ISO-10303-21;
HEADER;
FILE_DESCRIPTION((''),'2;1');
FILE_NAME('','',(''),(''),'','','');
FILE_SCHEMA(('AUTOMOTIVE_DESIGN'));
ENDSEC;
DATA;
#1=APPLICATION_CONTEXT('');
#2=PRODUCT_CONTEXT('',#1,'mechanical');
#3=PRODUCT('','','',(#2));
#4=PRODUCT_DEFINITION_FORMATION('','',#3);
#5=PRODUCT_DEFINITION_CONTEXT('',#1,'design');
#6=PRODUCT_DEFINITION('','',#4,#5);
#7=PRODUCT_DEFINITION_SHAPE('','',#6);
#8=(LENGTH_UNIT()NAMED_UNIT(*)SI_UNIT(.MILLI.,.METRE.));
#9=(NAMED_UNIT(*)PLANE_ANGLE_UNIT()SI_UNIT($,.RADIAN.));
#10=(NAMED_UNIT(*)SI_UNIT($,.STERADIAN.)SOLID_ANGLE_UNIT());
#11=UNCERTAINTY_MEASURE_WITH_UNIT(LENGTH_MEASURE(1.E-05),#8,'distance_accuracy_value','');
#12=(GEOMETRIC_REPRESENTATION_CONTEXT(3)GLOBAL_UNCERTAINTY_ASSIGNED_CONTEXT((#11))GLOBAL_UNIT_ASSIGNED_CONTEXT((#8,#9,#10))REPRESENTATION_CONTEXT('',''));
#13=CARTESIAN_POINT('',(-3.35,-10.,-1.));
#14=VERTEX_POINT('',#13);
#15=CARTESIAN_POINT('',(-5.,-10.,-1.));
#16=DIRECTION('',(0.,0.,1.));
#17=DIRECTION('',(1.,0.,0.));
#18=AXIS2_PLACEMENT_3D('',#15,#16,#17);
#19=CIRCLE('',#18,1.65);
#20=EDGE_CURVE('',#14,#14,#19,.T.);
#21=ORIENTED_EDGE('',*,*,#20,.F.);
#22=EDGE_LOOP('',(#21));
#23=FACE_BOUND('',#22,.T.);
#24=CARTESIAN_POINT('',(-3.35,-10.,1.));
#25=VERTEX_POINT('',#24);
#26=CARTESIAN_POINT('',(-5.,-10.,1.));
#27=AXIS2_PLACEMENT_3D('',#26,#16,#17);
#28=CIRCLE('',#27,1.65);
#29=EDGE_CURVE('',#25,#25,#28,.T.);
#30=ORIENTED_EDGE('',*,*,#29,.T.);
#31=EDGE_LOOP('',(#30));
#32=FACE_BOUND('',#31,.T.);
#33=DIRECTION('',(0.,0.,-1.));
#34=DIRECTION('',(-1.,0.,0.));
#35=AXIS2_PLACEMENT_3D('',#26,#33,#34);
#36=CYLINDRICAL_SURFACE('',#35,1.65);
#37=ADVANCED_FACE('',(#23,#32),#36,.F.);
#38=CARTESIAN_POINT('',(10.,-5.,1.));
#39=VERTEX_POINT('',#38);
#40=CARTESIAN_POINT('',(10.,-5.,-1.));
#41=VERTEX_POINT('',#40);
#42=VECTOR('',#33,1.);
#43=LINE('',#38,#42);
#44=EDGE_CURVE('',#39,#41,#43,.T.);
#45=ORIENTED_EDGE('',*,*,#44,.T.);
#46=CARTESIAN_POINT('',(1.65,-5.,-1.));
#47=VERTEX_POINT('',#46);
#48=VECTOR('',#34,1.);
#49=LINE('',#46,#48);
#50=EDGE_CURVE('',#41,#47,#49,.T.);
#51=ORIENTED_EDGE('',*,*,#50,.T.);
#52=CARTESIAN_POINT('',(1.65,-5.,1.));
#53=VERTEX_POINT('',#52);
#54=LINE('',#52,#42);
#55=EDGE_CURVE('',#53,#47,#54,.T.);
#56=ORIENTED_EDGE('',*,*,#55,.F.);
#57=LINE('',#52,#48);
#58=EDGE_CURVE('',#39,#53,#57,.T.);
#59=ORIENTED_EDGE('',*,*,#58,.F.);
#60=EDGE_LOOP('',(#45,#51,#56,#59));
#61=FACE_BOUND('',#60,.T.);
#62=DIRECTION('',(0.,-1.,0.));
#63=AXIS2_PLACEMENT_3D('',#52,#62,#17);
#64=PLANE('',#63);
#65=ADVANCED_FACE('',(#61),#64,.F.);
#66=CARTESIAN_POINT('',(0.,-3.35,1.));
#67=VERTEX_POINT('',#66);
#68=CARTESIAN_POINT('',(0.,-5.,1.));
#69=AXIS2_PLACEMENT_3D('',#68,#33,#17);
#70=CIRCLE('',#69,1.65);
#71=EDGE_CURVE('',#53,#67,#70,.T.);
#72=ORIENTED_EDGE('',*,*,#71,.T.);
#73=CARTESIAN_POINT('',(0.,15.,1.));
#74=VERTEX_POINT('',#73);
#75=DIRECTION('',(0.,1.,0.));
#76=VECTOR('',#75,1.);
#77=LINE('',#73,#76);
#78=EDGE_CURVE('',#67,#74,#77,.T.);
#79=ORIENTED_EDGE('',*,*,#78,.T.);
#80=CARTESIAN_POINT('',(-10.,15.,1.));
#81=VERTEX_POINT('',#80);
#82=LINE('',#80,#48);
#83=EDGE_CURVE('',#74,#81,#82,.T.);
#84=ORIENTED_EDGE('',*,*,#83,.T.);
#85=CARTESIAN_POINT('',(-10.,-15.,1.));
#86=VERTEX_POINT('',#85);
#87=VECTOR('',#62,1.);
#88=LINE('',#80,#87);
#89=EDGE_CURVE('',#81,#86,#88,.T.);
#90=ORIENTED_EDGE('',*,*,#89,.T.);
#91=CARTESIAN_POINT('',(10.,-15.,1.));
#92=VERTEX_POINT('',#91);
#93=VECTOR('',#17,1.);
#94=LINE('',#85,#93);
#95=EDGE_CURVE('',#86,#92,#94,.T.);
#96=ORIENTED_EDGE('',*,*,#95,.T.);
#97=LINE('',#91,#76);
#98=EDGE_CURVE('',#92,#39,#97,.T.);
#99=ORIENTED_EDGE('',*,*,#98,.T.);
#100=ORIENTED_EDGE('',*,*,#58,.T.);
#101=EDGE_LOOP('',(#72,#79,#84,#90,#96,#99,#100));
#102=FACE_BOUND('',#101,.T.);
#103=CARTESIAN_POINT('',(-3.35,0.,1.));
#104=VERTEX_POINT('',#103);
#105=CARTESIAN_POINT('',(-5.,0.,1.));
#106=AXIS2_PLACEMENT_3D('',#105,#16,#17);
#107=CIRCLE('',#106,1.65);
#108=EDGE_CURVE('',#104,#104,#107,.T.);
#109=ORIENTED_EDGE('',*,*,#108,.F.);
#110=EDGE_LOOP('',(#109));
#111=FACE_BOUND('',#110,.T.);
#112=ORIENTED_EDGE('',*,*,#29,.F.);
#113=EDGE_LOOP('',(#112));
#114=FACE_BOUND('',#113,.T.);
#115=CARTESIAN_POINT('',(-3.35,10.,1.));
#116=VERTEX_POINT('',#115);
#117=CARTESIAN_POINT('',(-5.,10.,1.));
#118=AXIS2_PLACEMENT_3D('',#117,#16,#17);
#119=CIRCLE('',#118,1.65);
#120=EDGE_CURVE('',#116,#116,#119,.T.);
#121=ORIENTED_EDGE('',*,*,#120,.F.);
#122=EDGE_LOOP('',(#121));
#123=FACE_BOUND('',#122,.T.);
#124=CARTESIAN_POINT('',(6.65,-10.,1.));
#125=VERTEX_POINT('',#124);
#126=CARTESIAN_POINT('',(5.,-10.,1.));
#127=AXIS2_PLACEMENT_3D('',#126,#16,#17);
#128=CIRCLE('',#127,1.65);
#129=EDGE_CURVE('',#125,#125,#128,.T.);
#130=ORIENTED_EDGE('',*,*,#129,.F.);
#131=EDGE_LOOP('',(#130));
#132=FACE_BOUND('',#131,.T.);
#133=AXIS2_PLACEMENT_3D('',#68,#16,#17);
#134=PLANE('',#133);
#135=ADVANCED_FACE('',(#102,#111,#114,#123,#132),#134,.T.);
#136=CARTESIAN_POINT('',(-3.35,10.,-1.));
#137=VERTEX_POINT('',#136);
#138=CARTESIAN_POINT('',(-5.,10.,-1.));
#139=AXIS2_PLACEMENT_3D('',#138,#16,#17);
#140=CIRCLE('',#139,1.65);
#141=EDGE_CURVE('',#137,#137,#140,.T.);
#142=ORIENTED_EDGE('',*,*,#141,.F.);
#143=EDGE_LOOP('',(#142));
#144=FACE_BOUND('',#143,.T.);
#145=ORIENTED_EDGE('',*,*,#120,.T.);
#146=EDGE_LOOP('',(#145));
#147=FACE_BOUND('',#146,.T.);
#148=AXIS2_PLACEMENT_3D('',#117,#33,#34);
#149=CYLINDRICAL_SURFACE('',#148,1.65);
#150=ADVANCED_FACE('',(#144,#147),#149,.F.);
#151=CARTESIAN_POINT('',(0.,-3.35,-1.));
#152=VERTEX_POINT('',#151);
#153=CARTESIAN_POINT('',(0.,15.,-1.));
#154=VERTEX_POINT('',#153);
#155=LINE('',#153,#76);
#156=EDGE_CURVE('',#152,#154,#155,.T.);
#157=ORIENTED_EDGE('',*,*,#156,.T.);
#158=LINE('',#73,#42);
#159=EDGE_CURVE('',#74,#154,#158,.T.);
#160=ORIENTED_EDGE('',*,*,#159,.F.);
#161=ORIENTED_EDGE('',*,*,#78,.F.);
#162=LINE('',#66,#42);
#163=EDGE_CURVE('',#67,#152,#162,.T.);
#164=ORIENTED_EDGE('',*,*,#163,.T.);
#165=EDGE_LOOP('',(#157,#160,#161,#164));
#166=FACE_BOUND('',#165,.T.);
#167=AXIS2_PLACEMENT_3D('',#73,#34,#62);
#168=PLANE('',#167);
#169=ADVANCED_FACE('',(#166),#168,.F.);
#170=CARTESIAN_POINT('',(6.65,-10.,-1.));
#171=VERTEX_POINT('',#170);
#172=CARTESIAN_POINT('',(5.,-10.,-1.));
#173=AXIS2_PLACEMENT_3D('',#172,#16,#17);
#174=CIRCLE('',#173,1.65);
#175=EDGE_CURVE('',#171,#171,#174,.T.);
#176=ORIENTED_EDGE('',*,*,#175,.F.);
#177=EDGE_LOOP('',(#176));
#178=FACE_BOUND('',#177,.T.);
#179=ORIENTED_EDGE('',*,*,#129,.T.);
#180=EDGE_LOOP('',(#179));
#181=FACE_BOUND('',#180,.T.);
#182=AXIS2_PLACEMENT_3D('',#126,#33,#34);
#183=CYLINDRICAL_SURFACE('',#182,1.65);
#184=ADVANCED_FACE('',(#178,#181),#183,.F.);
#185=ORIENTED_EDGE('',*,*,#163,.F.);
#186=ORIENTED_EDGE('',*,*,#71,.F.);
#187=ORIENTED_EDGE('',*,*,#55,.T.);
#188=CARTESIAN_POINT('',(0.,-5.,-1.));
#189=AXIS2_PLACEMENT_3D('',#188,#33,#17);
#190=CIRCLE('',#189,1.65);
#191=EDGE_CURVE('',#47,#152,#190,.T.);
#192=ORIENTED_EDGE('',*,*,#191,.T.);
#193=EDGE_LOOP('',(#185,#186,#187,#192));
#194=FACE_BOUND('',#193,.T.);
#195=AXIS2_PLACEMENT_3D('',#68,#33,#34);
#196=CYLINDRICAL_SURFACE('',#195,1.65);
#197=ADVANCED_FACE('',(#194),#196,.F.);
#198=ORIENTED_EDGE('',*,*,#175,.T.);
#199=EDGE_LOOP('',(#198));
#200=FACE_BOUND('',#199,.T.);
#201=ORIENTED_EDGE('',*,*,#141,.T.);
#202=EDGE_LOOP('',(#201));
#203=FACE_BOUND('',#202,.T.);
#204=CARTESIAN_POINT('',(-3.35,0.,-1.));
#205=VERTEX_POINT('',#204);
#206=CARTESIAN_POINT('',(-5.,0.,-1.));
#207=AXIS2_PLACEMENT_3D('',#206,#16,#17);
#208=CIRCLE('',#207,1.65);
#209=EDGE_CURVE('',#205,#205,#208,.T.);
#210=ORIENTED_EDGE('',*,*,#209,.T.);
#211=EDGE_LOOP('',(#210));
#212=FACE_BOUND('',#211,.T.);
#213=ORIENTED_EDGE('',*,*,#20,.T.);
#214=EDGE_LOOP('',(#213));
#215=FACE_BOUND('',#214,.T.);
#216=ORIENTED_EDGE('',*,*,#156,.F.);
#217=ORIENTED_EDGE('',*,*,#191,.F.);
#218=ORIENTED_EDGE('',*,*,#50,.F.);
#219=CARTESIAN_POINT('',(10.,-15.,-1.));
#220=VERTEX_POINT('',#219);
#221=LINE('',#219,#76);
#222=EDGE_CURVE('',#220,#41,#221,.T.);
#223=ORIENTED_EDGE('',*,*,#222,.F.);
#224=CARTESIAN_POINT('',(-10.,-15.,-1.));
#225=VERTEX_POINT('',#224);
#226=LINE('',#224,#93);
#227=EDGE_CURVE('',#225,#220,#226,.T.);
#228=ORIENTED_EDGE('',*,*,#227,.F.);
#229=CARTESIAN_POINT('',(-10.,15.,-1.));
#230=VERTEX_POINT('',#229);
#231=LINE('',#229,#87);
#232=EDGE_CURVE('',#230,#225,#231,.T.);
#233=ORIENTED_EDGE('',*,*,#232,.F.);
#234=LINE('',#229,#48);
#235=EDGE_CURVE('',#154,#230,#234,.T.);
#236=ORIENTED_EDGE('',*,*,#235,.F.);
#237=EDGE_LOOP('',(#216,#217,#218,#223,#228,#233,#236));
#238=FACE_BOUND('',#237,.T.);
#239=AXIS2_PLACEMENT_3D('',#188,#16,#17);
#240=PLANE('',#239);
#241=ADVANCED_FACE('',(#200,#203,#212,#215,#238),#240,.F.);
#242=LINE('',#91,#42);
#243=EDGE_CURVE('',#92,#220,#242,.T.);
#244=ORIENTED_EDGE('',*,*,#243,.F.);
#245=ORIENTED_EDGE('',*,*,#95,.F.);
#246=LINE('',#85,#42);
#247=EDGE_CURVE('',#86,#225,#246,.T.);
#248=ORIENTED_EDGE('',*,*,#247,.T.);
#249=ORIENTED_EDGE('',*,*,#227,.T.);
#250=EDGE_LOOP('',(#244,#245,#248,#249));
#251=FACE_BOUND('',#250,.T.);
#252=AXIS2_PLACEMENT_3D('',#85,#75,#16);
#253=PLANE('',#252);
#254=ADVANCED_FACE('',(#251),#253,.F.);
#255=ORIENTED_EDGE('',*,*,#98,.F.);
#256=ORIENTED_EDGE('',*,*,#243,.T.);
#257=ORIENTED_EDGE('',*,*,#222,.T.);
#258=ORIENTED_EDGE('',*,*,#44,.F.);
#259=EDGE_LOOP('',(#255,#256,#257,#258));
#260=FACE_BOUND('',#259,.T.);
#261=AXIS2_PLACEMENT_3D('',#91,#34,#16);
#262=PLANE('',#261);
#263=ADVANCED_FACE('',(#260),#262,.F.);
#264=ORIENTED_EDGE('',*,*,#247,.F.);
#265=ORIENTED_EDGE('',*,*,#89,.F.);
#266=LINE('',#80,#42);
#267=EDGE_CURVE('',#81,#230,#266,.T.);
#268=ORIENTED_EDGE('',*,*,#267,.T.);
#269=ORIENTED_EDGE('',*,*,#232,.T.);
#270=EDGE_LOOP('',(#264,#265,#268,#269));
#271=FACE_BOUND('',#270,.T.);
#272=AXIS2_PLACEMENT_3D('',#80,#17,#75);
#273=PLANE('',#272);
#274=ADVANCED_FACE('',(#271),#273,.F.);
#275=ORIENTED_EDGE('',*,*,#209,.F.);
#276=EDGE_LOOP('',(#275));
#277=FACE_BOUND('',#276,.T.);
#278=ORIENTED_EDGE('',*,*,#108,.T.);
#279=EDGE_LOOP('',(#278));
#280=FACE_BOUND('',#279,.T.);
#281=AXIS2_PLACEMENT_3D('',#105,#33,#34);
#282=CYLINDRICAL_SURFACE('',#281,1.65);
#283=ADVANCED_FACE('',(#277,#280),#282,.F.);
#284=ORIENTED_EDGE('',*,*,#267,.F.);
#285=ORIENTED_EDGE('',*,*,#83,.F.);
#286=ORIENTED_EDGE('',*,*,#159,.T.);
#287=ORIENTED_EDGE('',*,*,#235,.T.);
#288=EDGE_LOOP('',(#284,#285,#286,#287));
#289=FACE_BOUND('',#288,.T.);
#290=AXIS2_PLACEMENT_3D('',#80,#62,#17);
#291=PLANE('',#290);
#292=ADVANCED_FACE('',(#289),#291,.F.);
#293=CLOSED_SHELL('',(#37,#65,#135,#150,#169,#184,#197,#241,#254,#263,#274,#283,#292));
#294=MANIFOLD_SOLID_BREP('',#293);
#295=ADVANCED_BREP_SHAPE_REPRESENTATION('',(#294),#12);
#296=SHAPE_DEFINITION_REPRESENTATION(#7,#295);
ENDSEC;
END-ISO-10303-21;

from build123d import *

# Parameters (mm, degrees)
SKETCH1_R           = 1.65
BOSS_EXTRUDE1_DEPTH = 1


with BuildPart() as part:
    # Sketch1 → Boss-Extrude1 (new body, symmetric)
    with BuildSketch(Plane.XY):
        with BuildLine():
            Line((-10, 15), (-10, -15))
            Line((-10, -15), (10, -15))
            Line((10, -15), (10, -5))
            Line((10, -5), (1.65, -5))
            ThreePointArc((1.65, -5), (-1.166726189, -6.166726189), (0, -3.35))
            Line((0, -3.35), (0, 15))
            Line((0, 15), (-10, 15))
        make_face()
        with Locations((-5, 10)):
            Circle(SKETCH1_R, mode=Mode.SUBTRACT)
        with Locations((-5, 0)):
            Circle(SKETCH1_R, mode=Mode.SUBTRACT)
        with Locations((5, -10)):
            Circle(SKETCH1_R, mode=Mode.SUBTRACT)
        with Locations((-5, -10)):
            Circle(SKETCH1_R, mode=Mode.SUBTRACT)
    extrude(amount=BOSS_EXTRUDE1_DEPTH, both=True)


solid = part.part
